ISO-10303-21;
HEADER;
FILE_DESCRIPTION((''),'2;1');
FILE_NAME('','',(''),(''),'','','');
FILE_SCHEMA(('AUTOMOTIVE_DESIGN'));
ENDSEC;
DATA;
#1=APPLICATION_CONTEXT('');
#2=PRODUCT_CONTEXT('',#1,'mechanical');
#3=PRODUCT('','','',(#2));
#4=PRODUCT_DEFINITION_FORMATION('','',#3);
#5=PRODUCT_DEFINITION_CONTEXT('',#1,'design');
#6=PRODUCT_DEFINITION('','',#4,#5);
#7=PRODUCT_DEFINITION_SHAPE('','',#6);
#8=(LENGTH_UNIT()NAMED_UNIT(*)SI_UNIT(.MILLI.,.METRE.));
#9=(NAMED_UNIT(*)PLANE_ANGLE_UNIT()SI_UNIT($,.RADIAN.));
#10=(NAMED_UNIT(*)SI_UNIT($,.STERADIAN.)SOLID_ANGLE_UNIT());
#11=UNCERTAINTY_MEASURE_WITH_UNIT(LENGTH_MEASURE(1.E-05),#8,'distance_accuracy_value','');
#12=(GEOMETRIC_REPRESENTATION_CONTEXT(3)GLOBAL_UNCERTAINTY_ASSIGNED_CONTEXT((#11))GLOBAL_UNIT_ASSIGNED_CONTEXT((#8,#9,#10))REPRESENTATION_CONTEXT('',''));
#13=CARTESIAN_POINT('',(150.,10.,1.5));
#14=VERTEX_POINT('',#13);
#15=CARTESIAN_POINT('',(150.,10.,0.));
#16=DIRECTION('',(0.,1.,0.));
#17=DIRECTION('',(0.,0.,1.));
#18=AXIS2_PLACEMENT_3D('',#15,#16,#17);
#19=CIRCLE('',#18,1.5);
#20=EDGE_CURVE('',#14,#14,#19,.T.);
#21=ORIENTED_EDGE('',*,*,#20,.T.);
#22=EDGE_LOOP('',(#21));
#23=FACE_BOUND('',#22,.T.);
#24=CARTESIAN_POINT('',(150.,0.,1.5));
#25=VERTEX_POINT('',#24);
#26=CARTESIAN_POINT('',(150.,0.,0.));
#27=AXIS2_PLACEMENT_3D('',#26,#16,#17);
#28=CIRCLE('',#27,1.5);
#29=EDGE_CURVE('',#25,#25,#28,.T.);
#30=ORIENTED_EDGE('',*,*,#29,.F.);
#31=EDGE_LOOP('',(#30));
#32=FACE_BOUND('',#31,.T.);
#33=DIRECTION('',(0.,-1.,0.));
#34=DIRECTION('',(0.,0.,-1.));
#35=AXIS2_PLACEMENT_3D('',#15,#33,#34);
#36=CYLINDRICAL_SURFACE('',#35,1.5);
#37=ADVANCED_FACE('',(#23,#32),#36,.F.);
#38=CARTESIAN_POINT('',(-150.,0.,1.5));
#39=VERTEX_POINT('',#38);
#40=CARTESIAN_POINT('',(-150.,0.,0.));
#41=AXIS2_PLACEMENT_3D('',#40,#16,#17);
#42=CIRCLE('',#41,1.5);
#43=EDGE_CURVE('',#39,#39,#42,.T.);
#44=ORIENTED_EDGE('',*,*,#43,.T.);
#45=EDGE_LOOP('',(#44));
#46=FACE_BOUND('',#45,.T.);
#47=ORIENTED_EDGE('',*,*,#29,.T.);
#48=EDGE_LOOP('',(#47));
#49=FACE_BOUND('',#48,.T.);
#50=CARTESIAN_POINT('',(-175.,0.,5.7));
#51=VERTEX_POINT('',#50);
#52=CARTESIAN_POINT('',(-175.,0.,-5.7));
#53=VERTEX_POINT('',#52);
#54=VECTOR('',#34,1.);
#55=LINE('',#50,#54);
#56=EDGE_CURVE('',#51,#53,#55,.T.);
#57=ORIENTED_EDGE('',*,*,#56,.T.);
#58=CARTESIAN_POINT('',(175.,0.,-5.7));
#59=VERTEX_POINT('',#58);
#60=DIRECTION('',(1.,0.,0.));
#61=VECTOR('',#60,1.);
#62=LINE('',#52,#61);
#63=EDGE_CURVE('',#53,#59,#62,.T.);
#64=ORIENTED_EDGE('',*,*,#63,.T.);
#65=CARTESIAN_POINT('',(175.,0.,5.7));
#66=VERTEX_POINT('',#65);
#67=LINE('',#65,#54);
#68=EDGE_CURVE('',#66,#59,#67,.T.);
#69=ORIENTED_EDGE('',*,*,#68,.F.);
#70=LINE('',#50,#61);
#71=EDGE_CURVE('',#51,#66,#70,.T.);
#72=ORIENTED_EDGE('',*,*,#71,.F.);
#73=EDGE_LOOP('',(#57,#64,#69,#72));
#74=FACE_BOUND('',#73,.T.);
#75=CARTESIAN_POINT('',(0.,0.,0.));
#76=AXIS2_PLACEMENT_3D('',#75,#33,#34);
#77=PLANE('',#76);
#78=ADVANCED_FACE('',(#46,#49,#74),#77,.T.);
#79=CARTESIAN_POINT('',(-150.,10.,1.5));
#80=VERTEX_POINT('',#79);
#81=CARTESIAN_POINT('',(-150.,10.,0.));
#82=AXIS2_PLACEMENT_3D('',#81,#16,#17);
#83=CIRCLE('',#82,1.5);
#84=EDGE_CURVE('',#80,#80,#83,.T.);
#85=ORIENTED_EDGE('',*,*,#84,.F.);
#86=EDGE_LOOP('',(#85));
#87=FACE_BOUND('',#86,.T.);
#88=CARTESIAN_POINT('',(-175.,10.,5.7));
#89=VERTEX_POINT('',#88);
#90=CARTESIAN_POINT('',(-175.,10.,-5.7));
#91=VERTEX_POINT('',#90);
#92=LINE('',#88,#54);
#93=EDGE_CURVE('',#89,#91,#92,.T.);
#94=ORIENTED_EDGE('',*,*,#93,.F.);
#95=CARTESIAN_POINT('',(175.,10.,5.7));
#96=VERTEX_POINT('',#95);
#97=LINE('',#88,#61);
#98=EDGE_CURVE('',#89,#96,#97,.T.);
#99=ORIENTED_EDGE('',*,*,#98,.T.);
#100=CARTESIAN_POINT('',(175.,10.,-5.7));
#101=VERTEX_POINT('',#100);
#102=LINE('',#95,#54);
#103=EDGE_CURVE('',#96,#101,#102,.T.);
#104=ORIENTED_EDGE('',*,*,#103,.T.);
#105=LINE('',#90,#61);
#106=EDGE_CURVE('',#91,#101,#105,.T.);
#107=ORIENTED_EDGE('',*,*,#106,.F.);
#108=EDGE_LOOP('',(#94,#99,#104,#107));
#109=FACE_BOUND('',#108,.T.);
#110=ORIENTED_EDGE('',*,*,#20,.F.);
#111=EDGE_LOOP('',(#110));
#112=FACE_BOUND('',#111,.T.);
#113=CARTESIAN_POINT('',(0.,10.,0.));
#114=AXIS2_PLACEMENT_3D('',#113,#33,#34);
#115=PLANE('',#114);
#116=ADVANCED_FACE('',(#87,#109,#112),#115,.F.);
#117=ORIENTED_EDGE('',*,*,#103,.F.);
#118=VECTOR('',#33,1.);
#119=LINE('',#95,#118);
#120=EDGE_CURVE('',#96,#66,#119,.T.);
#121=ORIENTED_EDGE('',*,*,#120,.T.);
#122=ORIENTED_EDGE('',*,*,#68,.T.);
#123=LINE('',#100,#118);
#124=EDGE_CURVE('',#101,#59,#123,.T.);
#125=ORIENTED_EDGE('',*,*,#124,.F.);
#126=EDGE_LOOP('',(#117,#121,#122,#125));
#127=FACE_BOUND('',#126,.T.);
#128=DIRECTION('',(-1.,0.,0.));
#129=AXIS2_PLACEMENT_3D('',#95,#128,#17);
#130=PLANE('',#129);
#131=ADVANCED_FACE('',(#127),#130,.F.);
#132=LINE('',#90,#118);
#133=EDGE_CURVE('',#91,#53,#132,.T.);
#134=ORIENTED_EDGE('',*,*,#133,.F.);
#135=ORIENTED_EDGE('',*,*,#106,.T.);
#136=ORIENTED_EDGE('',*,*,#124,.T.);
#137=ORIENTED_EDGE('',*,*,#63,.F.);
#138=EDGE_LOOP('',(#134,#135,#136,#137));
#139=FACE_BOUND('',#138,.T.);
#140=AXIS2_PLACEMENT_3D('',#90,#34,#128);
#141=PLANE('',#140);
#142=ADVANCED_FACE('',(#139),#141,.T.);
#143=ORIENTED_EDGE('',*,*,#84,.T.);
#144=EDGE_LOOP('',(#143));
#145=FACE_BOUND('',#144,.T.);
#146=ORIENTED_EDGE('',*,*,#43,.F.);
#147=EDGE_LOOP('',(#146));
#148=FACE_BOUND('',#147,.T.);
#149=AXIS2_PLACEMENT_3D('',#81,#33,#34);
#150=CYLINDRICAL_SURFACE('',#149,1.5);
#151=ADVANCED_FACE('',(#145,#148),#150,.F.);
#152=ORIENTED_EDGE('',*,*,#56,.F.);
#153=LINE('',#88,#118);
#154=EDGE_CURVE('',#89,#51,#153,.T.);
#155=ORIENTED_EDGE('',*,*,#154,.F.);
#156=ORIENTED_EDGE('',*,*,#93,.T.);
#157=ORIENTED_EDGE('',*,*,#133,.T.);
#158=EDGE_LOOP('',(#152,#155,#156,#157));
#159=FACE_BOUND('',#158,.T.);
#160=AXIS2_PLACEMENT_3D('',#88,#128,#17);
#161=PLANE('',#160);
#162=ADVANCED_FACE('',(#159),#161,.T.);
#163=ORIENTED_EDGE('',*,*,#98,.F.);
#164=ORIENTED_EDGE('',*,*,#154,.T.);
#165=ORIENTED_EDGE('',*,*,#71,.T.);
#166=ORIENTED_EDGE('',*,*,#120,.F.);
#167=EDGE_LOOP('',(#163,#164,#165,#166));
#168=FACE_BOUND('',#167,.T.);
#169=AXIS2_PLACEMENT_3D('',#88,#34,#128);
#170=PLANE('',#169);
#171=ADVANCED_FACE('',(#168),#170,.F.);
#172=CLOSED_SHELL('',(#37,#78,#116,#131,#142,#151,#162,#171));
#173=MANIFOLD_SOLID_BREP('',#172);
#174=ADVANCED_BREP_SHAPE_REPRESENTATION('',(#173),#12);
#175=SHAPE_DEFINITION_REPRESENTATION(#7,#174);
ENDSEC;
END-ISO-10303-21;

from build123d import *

# Parameters (mm, degrees)
SKETCH_1_W      = 350
SKETCH_1_H      = 11.4
SKETCH_1_R      = 1.5
EXTRUDE_1_DEPTH = 10


with BuildPart() as part:
    # 草图1 → 凸台-拉伸1 (new body)
    with BuildSketch(Plane(origin=(0, 0, 0), x_dir=(1, 0, 0), z_dir=(0, 1, 0))):
        Rectangle(SKETCH_1_W, SKETCH_1_H)
        with Locations(Location((-150, 0, 0), (0, 0, 270))):
            Circle(SKETCH_1_R, mode=Mode.SUBTRACT)
        with Locations(Location((150, 0, 0), (0, 0, 270))):
            Circle(SKETCH_1_R, mode=Mode.SUBTRACT)
    extrude(amount=EXTRUDE_1_DEPTH)


solid = part.part
